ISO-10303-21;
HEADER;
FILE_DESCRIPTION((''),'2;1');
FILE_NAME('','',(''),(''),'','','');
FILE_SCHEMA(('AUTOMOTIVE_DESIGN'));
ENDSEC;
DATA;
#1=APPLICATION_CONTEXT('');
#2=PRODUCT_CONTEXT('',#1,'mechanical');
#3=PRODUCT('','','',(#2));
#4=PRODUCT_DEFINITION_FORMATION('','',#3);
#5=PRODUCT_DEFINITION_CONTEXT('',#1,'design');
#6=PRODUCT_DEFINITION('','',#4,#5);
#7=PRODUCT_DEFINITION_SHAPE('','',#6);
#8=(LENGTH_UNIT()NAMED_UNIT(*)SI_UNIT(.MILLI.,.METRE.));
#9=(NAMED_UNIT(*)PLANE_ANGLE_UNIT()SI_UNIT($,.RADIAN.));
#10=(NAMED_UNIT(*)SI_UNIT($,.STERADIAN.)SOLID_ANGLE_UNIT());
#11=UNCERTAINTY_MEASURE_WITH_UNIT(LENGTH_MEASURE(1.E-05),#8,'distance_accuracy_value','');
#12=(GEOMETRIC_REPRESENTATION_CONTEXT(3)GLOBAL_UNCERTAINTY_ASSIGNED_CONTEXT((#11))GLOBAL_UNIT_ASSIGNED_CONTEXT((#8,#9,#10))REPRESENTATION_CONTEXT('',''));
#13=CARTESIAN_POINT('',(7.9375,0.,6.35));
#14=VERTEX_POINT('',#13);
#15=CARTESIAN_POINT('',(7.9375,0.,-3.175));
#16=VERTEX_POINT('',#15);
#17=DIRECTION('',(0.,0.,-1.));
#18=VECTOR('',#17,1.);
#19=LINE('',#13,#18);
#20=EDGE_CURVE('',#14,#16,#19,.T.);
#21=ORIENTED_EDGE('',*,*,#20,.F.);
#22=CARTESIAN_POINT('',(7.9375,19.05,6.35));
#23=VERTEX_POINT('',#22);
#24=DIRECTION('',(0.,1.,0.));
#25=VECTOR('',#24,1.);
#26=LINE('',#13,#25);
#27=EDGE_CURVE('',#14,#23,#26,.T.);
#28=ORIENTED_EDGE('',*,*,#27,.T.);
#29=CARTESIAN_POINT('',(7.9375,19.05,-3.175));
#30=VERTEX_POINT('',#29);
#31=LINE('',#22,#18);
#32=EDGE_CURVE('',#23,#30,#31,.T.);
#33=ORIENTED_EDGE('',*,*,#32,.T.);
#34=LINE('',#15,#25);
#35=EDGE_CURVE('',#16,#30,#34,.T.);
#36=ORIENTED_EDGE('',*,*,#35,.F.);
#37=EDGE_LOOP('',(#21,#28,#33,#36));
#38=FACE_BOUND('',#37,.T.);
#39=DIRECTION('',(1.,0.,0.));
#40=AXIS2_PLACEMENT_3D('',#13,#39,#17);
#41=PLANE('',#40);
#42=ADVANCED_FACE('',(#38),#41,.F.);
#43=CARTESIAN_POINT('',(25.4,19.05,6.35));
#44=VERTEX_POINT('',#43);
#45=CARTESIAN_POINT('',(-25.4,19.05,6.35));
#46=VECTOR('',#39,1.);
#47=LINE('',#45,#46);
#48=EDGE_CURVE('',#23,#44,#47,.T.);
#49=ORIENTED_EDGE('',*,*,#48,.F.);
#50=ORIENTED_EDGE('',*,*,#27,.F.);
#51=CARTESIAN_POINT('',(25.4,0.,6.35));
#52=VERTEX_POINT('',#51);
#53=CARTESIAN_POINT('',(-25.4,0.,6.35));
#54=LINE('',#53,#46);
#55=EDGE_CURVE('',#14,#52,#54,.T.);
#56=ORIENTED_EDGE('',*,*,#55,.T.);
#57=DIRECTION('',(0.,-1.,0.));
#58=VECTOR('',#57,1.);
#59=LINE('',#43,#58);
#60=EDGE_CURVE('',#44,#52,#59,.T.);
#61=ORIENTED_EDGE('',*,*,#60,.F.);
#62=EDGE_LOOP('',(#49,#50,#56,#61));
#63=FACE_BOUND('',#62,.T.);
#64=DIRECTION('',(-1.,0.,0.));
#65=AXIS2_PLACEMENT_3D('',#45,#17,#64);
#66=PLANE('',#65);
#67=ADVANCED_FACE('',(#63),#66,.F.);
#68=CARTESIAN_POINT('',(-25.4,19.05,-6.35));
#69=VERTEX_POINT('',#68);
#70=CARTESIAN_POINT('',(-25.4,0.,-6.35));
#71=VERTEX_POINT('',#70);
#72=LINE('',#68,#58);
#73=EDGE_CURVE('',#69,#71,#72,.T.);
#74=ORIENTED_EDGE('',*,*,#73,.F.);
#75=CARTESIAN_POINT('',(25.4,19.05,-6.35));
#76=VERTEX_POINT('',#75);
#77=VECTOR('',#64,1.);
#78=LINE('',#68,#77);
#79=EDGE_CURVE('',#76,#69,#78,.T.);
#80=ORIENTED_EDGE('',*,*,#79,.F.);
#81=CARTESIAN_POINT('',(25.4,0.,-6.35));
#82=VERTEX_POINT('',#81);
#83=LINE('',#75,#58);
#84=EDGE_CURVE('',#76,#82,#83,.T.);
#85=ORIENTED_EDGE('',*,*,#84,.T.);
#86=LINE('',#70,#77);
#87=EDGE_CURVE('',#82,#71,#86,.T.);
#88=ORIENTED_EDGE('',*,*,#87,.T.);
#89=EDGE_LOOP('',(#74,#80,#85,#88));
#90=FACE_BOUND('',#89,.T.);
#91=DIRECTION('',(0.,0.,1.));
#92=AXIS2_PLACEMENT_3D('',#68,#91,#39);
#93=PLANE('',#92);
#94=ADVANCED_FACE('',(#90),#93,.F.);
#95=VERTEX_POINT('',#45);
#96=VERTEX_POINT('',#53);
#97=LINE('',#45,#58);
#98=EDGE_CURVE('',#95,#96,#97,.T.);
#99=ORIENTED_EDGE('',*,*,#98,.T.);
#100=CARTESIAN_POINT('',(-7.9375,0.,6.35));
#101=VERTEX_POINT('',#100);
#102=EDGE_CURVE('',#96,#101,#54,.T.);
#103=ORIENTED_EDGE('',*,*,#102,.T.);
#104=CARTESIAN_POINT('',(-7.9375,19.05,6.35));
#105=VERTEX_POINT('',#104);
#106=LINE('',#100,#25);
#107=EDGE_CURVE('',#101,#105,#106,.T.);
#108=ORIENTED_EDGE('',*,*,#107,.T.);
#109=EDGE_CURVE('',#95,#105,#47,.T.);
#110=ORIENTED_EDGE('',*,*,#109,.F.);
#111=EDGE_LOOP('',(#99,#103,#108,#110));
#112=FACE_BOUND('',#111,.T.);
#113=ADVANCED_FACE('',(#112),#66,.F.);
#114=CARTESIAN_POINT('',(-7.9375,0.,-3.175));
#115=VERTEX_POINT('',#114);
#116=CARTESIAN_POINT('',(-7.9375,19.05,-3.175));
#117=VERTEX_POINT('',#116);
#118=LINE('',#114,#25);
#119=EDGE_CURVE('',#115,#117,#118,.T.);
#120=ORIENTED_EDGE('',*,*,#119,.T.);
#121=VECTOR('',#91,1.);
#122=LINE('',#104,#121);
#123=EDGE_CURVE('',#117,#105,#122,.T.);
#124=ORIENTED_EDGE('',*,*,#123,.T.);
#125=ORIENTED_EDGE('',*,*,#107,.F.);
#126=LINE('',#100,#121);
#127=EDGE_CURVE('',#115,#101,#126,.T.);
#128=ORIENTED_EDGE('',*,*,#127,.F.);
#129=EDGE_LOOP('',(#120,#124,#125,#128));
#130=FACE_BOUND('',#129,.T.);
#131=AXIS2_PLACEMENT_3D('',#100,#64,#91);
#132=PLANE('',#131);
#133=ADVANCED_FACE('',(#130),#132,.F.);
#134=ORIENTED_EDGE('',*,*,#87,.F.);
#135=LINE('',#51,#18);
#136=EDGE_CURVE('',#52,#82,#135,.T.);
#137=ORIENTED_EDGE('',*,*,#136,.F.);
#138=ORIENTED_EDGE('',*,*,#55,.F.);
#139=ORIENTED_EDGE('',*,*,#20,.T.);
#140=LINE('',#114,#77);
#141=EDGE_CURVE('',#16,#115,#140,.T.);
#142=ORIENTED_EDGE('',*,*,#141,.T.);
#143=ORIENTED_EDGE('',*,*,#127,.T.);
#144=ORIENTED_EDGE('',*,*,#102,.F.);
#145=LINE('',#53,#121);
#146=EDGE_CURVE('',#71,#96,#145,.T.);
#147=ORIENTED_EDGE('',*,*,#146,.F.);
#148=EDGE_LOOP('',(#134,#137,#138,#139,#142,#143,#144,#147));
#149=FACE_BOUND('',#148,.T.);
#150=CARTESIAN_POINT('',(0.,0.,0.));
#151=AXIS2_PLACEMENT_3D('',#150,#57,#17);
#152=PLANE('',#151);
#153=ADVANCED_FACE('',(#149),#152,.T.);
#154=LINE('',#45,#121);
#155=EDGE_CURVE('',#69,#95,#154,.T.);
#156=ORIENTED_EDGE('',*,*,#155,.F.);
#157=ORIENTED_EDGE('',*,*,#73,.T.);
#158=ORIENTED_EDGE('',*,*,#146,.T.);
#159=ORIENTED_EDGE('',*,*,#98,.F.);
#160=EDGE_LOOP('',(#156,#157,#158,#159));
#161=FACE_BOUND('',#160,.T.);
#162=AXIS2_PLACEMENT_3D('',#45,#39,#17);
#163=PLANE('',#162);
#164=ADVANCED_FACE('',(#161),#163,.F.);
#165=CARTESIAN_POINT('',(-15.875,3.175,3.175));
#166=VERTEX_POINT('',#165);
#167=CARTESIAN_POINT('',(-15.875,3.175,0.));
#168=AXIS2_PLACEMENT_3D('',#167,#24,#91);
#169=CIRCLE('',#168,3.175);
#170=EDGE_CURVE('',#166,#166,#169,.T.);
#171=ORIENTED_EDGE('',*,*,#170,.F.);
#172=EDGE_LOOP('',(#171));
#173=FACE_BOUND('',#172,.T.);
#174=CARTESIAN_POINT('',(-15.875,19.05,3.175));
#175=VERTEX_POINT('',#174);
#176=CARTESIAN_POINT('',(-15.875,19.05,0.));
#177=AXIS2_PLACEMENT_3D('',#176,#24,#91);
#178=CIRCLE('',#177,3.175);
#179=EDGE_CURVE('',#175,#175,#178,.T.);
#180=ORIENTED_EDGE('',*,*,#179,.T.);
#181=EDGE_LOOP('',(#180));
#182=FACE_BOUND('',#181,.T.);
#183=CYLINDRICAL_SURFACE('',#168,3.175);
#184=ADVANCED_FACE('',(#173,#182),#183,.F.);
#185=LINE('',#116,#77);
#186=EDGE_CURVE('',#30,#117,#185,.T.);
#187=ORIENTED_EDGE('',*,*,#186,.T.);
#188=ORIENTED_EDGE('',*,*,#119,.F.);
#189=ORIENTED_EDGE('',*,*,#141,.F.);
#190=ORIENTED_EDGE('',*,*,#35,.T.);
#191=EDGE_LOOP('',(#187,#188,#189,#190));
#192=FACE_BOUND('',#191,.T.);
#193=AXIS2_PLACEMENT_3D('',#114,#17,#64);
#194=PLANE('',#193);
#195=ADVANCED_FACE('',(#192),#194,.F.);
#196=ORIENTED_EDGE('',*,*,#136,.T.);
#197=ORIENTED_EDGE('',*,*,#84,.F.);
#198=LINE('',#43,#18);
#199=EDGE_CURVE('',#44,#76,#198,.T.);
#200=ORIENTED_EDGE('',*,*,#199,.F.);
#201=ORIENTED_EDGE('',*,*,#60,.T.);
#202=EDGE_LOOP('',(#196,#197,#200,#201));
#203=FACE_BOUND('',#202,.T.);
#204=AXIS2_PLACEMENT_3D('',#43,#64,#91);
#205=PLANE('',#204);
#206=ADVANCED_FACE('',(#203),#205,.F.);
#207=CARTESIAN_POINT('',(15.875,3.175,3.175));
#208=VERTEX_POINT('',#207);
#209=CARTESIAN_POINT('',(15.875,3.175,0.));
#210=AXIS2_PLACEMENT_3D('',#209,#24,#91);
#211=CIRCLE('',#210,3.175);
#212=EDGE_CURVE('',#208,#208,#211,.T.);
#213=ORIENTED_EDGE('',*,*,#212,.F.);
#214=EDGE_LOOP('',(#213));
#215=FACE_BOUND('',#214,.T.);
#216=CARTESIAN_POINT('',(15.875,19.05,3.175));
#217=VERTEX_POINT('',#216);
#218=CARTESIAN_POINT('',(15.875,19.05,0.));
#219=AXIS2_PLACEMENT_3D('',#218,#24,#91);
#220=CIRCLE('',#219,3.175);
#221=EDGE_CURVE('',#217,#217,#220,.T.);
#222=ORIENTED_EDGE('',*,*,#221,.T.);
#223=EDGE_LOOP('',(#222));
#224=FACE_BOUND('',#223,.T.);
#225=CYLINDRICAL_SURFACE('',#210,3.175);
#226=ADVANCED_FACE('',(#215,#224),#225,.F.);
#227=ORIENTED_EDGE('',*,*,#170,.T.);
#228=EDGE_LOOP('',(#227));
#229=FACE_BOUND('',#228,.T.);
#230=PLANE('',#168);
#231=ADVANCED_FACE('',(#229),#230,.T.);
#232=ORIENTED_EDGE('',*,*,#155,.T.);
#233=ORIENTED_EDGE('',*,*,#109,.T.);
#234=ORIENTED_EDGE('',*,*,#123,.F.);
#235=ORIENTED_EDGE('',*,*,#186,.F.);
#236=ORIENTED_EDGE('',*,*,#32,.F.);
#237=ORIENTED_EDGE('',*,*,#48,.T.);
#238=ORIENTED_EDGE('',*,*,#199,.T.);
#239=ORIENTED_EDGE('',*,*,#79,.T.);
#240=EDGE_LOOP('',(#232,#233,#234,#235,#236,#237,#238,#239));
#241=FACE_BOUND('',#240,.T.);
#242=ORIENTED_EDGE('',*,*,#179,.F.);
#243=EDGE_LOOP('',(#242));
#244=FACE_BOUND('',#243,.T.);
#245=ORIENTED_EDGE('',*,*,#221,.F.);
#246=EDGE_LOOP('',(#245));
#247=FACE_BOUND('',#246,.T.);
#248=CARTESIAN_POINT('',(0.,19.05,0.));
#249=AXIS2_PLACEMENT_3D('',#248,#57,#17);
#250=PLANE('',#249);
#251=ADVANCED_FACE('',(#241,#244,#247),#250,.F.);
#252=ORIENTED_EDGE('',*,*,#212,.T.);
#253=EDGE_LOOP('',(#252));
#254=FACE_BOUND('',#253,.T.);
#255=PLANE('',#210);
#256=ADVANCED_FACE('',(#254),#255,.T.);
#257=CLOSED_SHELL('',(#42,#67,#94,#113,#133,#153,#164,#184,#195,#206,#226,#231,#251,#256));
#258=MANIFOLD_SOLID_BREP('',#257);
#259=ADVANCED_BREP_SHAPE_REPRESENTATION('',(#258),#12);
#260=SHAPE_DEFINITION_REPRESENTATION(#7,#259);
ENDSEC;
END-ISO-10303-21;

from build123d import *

# Parameters (mm, degrees)
SKETCH1_W           = 50.8
SKETCH1_H           = 12.7
BOSS_EXTRUDE1_DEPTH = 19.05
SKETCH2_R           = 3.175
CUT_EXTRUDE1_DEPTH  = 15.875
SKETCH3_W           = 15.875
SKETCH3_H           = 9.525
CUT_EXTRUDE2_DEPTH  = 33.378773911


with BuildPart() as part:
    # Sketch1 → Boss-Extrude1 (new body)
    with BuildSketch(Plane(origin=(0, 0, 0), x_dir=(1, 0, 0), z_dir=(0, 1, 0))):
        Rectangle(SKETCH1_W, SKETCH1_H)
    extrude(amount=BOSS_EXTRUDE1_DEPTH)

    # Sketch2 → Cut-Extrude1 (cut)
    with BuildSketch(Plane(origin=(0, 19.05, 0), x_dir=(1, 0, 0), z_dir=(0, 1, 0))):
        with Locations(Location((-15.875, 0, 0), (0, 0, 270))):
            Circle(SKETCH2_R)
        with Locations(Location((15.875, 0, 0), (0, 0, 270))):
            Circle(SKETCH2_R)
    extrude(amount=-CUT_EXTRUDE1_DEPTH, mode=Mode.SUBTRACT)

    # Sketch3 → Cut-Extrude2 (cut, through all)
    with BuildSketch(Plane(origin=(0, 19.05, 0), x_dir=(1, 0, 0), z_dir=(0, 1, 0))):
        with Locations((0, -1.5875)):
            Rectangle(SKETCH3_W, SKETCH3_H)
    extrude(amount=-CUT_EXTRUDE2_DEPTH, mode=Mode.SUBTRACT)


solid = part.part
